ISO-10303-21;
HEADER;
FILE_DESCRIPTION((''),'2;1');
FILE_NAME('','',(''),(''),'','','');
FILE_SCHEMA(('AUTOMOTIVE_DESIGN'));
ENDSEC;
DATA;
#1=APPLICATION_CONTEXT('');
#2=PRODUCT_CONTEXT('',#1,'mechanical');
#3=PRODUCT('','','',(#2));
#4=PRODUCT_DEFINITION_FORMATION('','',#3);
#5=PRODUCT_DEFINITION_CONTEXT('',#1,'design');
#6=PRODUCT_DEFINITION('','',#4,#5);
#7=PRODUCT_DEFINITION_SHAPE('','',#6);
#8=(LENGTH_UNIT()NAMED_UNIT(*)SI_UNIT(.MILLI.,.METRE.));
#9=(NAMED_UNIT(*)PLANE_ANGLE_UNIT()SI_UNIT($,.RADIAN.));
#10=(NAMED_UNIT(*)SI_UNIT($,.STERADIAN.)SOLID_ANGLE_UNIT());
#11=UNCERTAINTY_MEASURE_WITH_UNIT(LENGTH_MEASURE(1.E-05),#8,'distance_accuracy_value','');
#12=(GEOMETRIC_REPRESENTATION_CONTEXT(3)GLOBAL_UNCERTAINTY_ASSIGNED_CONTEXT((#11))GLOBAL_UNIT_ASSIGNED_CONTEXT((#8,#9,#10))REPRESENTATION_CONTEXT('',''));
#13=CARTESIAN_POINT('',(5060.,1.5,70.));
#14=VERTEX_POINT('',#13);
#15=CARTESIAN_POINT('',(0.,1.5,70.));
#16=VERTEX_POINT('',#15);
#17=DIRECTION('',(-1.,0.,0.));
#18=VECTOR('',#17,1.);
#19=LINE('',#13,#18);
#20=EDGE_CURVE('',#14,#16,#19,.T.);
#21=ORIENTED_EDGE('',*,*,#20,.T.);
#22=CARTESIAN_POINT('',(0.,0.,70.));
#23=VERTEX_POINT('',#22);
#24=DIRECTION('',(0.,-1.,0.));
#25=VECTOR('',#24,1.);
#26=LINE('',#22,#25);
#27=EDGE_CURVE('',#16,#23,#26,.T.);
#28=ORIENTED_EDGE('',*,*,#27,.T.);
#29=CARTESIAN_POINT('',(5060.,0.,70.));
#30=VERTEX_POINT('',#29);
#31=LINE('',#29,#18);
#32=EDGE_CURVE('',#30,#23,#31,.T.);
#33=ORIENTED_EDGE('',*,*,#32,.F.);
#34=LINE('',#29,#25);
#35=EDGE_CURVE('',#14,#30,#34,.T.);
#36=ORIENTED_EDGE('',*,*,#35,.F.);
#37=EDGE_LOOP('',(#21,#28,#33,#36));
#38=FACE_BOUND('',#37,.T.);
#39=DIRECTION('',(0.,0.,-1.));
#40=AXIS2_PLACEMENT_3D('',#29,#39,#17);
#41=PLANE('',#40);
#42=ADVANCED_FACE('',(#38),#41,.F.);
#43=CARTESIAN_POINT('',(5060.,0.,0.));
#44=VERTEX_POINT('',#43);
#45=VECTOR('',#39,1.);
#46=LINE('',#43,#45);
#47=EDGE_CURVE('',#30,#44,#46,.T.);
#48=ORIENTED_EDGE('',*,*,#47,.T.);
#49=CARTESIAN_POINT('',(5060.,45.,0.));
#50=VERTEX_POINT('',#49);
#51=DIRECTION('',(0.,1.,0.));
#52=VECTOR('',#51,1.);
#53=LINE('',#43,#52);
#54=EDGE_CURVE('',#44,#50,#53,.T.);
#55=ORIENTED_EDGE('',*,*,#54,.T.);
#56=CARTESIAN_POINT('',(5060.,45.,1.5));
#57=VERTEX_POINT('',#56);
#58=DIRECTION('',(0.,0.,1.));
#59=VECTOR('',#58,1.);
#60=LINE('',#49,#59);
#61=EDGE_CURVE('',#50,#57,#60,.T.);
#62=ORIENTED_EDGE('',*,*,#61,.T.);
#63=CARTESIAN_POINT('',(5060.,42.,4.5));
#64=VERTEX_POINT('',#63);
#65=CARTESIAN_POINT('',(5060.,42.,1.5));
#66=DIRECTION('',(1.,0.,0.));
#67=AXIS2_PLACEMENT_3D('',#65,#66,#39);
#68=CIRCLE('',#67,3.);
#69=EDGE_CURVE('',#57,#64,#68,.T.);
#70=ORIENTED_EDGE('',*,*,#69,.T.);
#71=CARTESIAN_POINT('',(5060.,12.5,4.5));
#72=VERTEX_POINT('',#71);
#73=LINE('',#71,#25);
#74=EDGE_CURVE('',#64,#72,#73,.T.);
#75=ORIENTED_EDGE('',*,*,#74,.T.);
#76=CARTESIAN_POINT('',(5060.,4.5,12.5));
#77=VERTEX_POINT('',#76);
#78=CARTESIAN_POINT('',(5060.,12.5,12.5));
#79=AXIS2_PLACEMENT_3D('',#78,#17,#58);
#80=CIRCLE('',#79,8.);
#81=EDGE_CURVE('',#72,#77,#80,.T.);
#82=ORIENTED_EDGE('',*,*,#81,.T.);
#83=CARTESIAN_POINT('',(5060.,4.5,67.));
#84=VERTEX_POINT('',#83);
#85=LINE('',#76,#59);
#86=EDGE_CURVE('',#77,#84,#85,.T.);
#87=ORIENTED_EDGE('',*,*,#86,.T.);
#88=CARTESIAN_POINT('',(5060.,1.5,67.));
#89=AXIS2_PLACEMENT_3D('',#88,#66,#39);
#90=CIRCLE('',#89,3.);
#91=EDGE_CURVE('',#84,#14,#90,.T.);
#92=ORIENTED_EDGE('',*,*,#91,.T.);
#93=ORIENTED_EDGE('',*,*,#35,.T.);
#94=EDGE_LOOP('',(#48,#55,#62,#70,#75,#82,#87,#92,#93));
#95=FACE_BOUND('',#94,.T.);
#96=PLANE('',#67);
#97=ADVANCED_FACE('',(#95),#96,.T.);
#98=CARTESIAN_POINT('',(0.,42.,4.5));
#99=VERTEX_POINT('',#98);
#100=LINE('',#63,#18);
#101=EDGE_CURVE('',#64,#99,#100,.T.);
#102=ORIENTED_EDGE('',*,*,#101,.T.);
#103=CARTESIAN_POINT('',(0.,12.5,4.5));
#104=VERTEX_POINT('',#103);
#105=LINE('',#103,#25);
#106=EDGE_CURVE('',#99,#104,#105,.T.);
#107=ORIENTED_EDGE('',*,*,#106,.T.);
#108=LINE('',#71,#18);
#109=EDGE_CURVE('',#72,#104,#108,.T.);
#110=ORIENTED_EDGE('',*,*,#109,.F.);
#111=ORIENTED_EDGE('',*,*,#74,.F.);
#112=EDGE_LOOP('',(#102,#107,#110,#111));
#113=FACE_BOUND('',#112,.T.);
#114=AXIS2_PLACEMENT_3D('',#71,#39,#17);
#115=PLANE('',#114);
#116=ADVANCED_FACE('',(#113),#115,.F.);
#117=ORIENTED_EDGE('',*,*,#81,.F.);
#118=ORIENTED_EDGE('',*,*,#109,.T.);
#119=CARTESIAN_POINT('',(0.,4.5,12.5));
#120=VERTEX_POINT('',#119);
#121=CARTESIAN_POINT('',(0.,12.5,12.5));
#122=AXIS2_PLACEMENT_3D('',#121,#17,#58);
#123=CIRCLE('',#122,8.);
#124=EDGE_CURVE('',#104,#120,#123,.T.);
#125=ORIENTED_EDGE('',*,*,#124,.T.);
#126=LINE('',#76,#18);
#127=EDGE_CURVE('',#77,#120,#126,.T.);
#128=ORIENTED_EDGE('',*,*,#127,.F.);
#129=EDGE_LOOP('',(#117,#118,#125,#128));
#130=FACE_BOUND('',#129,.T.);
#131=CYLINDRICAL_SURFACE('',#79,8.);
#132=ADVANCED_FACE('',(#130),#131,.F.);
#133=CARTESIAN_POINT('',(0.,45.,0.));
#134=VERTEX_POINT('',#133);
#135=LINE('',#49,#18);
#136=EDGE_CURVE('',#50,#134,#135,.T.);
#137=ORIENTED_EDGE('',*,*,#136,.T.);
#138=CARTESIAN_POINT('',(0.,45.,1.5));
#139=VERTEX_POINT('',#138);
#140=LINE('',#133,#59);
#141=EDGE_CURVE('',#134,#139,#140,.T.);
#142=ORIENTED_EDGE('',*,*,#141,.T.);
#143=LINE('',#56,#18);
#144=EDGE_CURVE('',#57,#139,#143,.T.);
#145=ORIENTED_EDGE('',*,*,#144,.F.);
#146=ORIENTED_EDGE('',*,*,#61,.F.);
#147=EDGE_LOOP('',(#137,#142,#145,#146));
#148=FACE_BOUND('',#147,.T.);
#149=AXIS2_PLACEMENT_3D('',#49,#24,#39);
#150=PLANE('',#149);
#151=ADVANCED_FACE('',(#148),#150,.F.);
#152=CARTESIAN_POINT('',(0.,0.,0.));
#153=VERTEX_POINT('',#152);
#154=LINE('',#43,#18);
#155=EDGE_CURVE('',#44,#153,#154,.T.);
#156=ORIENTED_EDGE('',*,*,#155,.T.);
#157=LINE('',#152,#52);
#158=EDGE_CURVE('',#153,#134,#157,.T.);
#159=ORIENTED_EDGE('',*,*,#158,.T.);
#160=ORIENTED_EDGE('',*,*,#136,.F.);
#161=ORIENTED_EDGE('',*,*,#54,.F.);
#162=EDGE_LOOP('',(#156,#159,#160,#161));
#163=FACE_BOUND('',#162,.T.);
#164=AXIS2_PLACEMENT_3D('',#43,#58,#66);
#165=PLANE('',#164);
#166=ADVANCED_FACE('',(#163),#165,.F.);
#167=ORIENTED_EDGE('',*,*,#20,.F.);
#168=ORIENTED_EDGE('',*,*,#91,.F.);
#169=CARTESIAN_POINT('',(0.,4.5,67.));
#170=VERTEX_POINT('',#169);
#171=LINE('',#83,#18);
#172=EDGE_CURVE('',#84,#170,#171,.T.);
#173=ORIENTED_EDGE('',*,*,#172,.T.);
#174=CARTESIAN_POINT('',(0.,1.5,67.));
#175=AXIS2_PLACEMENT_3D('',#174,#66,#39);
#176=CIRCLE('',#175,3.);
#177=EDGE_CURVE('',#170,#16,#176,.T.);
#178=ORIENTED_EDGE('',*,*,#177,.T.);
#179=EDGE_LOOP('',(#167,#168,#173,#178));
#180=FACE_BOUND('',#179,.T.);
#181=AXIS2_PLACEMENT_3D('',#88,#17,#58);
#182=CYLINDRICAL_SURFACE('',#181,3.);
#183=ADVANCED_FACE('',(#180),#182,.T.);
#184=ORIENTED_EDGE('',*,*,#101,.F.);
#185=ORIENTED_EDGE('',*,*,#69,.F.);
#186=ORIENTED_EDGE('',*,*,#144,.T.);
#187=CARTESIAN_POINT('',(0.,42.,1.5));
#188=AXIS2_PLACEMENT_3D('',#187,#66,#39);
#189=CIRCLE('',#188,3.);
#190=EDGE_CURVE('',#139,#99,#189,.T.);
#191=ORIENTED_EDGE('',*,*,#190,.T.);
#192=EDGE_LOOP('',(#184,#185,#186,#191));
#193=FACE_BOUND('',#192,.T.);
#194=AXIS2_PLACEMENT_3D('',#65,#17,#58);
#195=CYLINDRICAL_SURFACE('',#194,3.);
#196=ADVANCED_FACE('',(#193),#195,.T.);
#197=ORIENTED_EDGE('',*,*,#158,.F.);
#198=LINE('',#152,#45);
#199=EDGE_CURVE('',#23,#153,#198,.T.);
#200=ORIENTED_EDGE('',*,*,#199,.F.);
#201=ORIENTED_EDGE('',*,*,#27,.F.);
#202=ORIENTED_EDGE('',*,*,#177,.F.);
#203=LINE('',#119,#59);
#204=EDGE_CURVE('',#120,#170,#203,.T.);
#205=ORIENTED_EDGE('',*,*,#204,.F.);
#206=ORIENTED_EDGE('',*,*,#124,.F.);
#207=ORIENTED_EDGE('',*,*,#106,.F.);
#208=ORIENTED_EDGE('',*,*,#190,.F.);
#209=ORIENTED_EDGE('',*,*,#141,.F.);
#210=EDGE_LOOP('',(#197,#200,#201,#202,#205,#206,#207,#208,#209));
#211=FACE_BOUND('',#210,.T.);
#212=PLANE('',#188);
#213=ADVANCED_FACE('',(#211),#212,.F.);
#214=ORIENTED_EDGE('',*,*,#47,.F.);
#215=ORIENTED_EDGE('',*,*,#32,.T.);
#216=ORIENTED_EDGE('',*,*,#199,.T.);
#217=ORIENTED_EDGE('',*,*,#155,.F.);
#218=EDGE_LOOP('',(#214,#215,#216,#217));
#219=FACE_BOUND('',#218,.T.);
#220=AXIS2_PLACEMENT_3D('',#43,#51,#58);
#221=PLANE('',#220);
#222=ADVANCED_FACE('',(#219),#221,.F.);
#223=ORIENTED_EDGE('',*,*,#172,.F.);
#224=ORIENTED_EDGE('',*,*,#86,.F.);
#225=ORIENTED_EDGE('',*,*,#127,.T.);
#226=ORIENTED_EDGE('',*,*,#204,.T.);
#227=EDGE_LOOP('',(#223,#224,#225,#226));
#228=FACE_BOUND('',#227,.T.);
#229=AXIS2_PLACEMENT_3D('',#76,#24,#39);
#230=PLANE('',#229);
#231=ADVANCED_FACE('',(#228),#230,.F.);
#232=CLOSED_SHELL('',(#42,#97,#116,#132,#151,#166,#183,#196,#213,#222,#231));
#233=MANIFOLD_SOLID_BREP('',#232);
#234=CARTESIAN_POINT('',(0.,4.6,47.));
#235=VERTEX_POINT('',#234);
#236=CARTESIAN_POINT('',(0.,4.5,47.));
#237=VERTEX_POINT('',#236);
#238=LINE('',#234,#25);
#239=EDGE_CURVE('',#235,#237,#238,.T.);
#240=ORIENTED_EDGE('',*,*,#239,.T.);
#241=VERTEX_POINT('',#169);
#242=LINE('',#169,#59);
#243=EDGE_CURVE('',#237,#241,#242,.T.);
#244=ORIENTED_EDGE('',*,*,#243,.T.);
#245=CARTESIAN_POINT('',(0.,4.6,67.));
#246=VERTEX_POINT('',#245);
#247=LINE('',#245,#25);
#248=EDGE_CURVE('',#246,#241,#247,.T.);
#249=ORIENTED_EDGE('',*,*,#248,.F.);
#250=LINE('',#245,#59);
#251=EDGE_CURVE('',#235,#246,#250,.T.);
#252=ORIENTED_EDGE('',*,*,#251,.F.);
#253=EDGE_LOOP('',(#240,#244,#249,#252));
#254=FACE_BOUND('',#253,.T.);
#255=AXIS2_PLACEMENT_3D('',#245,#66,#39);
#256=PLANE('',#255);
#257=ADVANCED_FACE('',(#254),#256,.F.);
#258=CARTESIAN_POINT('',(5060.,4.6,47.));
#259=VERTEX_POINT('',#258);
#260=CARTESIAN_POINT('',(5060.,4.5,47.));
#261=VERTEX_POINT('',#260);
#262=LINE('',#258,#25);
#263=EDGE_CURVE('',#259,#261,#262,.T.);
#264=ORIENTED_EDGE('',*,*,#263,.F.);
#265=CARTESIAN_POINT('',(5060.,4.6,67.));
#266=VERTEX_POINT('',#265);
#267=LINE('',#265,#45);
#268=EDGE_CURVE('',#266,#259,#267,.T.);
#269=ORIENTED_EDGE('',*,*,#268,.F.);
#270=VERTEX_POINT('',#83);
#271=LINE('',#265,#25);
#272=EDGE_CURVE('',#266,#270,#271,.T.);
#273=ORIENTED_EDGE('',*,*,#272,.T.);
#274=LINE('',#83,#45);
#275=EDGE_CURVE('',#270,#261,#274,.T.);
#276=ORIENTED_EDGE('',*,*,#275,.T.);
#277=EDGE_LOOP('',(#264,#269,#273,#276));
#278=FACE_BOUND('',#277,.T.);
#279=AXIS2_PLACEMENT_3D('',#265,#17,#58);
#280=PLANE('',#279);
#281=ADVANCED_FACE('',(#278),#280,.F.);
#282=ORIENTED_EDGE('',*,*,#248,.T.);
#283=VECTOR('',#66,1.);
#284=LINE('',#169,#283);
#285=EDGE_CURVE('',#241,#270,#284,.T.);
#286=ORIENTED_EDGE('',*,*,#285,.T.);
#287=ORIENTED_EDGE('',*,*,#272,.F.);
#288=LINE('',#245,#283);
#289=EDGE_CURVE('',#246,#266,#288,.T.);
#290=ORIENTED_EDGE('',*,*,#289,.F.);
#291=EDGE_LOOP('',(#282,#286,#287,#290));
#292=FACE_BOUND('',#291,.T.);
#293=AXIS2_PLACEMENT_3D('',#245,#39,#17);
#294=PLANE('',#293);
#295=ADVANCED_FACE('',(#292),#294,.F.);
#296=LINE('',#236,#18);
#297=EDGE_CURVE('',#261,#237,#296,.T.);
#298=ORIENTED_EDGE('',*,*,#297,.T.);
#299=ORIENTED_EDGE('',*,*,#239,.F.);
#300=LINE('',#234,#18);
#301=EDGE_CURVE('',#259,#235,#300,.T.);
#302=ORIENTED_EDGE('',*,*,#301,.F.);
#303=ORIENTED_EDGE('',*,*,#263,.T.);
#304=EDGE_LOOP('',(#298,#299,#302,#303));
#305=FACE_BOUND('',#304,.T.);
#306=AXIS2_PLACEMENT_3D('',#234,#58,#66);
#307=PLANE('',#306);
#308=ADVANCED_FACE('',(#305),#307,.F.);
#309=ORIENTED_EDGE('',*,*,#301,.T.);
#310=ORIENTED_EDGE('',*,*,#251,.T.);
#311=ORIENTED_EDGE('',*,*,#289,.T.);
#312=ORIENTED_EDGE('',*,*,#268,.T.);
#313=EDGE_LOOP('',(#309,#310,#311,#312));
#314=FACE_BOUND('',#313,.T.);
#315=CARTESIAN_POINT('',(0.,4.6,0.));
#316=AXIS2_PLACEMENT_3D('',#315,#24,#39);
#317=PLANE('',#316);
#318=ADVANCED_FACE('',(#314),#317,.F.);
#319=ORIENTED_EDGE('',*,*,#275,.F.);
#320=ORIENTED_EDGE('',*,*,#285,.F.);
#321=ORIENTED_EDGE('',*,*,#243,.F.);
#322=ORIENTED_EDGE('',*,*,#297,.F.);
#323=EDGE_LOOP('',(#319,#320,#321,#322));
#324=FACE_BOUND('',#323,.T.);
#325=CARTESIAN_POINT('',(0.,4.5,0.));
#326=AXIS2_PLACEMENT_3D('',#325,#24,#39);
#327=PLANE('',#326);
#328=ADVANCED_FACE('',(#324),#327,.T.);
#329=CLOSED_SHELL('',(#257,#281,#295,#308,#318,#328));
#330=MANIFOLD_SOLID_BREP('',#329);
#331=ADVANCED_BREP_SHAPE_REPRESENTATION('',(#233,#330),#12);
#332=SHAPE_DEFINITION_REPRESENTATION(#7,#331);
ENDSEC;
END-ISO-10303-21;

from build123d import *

# Parameters (mm, degrees)
ANGLE_IRON_70X45X4_5_1_DEPTH = 5060
SKETCH12_W                   = 5060
SKETCH12_H                   = 20
BOSS_EXTRUDE1_DEPTH          = 0.1


with BuildPart() as part:
    # Sketch11 → Angle iron 70X45X4.5(1) (new body)
    with BuildSketch(Plane.YZ):
        with BuildLine():
            Line((0, 0), (0, 70))
            Line((0, 70), (1.5, 70))
            ThreePointArc((1.5, 70), (3.621320344, 69.121320344), (4.5, 67))
            Line((4.5, 67), (4.5, 12.5))
            ThreePointArc((4.5, 12.5), (6.843145751, 6.843145751), (12.5, 4.5))
            Line((12.5, 4.5), (42, 4.5))
            ThreePointArc((42, 4.5), (44.121320344, 3.621320344), (45, 1.5))
            Line((45, 1.5), (45, 0))
            Line((45, 0), (0, 0))
        make_face()
    extrude(amount=ANGLE_IRON_70X45X4_5_1_DEPTH)


with BuildPart() as body_2:
    # Sketch12 → Boss-Extrude1 (new body)
    with BuildSketch(Plane(origin=(0, 4.5, 0), x_dir=(1, 0, 0), z_dir=(0, 1, 0))):
        with Locations((2530, -57)):
            Rectangle(SKETCH12_W, SKETCH12_H)
    extrude(amount=BOSS_EXTRUDE1_DEPTH)


solid = Compound([part.part, body_2.part])
